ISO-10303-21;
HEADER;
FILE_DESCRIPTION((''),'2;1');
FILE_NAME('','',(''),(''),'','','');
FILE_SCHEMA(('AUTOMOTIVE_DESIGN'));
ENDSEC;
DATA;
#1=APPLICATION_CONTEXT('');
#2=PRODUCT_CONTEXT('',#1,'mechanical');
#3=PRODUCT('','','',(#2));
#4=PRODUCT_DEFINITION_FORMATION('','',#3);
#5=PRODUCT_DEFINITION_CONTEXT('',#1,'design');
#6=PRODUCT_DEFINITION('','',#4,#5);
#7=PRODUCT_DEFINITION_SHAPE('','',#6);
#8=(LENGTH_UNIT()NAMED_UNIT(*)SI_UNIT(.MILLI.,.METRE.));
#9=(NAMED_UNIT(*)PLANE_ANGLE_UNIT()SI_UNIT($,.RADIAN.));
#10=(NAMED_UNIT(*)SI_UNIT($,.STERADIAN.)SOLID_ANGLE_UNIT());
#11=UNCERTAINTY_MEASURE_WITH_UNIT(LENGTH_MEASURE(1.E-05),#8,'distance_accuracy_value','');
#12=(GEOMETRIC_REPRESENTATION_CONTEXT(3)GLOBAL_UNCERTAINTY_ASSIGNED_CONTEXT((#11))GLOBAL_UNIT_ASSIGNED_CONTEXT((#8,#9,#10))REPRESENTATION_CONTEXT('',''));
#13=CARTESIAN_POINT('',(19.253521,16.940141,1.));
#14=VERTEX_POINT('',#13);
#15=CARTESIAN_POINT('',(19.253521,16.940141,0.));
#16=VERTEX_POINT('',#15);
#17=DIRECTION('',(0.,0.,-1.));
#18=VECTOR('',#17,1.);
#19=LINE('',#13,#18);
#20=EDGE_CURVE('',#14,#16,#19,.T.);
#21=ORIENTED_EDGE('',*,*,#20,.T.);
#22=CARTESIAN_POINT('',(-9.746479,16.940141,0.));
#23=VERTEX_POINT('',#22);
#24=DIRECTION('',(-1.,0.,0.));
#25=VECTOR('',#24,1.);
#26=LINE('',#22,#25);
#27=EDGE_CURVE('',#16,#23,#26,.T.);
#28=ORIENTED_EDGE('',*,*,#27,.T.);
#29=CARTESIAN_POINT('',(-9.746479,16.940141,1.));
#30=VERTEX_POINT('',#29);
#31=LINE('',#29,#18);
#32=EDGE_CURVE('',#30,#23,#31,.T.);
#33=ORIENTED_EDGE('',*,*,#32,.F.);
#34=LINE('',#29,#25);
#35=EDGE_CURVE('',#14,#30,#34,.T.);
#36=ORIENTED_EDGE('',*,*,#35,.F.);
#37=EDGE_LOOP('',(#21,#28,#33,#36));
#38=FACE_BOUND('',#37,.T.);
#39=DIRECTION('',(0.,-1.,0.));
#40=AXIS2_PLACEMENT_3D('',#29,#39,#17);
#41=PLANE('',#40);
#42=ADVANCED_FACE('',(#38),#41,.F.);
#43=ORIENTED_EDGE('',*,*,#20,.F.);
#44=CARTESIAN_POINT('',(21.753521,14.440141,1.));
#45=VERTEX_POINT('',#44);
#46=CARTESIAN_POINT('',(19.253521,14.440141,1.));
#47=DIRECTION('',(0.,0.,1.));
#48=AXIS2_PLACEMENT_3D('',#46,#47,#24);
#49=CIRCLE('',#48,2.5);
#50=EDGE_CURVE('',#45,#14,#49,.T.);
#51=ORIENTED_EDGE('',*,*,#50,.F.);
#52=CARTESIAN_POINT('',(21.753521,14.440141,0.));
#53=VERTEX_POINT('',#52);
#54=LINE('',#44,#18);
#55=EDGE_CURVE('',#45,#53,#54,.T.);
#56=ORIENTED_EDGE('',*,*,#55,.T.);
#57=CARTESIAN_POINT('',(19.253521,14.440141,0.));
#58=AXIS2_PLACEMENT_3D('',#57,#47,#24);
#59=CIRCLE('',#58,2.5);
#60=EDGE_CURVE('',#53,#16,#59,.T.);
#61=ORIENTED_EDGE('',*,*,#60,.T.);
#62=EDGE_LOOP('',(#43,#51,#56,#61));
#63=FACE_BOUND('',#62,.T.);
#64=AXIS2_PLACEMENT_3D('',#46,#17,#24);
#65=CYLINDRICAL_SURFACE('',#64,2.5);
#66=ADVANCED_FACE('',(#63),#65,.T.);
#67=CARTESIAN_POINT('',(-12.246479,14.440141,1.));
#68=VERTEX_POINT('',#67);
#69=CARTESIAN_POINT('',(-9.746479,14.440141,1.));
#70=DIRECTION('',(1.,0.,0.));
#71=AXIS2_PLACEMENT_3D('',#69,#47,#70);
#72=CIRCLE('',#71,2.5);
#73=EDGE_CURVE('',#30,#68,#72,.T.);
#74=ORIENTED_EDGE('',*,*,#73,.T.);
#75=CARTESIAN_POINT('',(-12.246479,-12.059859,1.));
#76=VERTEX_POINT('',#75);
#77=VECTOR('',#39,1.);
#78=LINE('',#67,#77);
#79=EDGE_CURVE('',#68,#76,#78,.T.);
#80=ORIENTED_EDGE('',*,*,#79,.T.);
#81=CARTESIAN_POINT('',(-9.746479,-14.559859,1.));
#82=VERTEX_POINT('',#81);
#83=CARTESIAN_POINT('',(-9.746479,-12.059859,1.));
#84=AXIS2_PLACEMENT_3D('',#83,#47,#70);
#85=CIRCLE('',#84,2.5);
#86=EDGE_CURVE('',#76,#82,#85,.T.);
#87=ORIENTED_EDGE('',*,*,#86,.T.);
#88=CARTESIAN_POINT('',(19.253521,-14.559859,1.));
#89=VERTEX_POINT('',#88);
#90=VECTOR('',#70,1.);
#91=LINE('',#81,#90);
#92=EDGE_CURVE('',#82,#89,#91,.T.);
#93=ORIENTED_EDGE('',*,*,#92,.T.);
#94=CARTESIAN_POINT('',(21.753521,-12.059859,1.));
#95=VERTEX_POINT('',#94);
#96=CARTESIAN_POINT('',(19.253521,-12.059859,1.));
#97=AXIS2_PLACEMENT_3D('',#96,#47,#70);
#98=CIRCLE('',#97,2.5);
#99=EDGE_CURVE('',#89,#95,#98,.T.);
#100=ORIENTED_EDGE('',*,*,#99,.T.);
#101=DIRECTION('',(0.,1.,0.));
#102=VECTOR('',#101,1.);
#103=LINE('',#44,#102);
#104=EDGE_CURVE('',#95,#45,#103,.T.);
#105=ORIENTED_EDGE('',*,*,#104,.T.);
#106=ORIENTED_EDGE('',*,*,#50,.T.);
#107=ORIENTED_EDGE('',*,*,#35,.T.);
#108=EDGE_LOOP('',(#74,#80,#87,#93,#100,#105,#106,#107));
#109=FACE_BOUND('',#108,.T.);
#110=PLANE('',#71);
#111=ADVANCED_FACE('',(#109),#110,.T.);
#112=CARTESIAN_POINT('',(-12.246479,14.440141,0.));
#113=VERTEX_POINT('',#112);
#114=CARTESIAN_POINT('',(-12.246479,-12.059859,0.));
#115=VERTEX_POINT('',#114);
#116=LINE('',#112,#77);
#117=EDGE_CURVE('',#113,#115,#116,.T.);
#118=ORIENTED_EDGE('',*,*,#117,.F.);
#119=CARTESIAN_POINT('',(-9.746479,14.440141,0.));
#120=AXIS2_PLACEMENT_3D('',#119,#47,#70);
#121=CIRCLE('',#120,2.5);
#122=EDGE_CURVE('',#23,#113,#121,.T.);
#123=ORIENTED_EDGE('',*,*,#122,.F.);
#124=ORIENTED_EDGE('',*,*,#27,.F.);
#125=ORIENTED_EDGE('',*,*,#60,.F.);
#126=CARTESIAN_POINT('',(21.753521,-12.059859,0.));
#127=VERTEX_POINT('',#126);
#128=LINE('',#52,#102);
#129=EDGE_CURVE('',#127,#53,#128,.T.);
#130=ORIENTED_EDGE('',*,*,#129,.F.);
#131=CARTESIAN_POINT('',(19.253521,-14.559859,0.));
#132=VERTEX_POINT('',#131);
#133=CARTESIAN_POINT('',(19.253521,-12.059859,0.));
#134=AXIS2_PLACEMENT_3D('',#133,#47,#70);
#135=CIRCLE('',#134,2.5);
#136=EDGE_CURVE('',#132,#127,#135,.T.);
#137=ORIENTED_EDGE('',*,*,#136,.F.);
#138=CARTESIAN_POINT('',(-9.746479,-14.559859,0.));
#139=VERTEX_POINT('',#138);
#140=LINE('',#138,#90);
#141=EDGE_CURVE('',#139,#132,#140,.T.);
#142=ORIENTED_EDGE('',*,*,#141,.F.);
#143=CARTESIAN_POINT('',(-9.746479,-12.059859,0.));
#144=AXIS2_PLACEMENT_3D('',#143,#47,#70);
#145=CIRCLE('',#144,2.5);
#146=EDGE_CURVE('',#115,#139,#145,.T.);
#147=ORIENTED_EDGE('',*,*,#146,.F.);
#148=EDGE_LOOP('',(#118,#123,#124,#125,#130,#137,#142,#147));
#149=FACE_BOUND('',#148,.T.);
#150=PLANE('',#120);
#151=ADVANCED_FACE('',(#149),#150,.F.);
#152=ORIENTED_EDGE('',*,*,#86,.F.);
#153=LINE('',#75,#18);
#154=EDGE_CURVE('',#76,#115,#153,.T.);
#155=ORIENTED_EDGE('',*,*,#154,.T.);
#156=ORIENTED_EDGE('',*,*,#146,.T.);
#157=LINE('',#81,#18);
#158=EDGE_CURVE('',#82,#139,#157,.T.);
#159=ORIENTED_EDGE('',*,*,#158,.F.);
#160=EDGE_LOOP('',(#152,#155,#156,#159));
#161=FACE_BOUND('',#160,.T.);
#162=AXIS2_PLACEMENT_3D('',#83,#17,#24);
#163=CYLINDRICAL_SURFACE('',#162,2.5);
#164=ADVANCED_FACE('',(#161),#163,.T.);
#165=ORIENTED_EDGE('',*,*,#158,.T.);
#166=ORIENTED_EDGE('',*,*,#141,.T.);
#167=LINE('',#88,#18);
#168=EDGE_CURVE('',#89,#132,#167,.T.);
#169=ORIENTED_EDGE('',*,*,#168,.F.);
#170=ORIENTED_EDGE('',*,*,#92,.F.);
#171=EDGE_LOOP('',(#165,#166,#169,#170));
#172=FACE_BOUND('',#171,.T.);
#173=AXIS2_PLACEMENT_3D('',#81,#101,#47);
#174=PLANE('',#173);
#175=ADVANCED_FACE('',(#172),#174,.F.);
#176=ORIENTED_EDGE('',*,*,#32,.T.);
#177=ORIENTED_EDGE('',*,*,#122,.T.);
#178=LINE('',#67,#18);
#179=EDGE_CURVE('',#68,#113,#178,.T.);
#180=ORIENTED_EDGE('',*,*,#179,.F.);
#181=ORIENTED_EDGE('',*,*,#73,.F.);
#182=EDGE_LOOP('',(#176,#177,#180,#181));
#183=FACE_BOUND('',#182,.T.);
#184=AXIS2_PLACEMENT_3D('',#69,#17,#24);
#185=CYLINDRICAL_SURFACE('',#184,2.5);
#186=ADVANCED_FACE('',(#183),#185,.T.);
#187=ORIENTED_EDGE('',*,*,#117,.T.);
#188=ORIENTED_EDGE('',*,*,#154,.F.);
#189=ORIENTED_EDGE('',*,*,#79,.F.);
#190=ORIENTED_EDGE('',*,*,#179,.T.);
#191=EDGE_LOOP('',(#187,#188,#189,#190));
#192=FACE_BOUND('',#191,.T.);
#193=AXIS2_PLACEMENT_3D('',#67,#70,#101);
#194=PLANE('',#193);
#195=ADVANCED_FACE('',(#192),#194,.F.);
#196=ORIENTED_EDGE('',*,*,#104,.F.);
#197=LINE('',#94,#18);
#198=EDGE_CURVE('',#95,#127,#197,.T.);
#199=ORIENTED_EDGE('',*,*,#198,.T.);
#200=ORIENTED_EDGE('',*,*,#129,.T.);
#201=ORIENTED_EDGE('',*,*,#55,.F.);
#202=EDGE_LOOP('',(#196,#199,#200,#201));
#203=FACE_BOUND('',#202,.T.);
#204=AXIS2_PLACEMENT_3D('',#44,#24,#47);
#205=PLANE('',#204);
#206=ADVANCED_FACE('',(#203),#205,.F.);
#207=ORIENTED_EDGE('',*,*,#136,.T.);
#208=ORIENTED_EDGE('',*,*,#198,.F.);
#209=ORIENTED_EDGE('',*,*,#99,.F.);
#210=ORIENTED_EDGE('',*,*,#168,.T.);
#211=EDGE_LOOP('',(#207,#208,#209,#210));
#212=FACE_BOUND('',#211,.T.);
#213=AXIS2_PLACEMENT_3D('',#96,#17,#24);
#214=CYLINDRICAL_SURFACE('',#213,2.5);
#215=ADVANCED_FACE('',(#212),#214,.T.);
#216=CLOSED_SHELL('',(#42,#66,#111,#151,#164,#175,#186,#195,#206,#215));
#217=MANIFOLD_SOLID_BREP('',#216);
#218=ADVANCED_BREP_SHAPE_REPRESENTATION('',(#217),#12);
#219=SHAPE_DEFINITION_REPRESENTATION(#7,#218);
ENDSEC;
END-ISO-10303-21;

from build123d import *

# Parameters (mm, degrees)
BOSS_EXTRUDE1_DEPTH = 1


with BuildPart() as part:
    # Sketch1 → Boss-Extrude1 (new body)
    with BuildSketch(Plane.XY):
        with BuildLine():
            Line((-9.746478873, 16.940140845), (19.253521127, 16.940140845))
            ThreePointArc((19.253521127, 16.940140845), (21.02128808, 16.207907798), (21.753521127, 14.440140845))
            Line((21.753521127, 14.440140845), (21.753521127, -12.059859155))
            ThreePointArc((21.753521127, -12.059859155), (21.02128808, -13.827626108), (19.253521127, -14.559859155))
            Line((19.253521127, -14.559859155), (-9.746478873, -14.559859155))
            ThreePointArc((-9.746478873, -14.559859155), (-11.514245826, -13.827626108), (-12.246478873, -12.059859155))
            Line((-12.246478873, -12.059859155), (-12.246478873, 14.440140845))
            ThreePointArc((-12.246478873, 14.440140845), (-11.514245826, 16.207907798), (-9.746478873, 16.940140845))
        make_face()
    extrude(amount=BOSS_EXTRUDE1_DEPTH)


solid = part.part
